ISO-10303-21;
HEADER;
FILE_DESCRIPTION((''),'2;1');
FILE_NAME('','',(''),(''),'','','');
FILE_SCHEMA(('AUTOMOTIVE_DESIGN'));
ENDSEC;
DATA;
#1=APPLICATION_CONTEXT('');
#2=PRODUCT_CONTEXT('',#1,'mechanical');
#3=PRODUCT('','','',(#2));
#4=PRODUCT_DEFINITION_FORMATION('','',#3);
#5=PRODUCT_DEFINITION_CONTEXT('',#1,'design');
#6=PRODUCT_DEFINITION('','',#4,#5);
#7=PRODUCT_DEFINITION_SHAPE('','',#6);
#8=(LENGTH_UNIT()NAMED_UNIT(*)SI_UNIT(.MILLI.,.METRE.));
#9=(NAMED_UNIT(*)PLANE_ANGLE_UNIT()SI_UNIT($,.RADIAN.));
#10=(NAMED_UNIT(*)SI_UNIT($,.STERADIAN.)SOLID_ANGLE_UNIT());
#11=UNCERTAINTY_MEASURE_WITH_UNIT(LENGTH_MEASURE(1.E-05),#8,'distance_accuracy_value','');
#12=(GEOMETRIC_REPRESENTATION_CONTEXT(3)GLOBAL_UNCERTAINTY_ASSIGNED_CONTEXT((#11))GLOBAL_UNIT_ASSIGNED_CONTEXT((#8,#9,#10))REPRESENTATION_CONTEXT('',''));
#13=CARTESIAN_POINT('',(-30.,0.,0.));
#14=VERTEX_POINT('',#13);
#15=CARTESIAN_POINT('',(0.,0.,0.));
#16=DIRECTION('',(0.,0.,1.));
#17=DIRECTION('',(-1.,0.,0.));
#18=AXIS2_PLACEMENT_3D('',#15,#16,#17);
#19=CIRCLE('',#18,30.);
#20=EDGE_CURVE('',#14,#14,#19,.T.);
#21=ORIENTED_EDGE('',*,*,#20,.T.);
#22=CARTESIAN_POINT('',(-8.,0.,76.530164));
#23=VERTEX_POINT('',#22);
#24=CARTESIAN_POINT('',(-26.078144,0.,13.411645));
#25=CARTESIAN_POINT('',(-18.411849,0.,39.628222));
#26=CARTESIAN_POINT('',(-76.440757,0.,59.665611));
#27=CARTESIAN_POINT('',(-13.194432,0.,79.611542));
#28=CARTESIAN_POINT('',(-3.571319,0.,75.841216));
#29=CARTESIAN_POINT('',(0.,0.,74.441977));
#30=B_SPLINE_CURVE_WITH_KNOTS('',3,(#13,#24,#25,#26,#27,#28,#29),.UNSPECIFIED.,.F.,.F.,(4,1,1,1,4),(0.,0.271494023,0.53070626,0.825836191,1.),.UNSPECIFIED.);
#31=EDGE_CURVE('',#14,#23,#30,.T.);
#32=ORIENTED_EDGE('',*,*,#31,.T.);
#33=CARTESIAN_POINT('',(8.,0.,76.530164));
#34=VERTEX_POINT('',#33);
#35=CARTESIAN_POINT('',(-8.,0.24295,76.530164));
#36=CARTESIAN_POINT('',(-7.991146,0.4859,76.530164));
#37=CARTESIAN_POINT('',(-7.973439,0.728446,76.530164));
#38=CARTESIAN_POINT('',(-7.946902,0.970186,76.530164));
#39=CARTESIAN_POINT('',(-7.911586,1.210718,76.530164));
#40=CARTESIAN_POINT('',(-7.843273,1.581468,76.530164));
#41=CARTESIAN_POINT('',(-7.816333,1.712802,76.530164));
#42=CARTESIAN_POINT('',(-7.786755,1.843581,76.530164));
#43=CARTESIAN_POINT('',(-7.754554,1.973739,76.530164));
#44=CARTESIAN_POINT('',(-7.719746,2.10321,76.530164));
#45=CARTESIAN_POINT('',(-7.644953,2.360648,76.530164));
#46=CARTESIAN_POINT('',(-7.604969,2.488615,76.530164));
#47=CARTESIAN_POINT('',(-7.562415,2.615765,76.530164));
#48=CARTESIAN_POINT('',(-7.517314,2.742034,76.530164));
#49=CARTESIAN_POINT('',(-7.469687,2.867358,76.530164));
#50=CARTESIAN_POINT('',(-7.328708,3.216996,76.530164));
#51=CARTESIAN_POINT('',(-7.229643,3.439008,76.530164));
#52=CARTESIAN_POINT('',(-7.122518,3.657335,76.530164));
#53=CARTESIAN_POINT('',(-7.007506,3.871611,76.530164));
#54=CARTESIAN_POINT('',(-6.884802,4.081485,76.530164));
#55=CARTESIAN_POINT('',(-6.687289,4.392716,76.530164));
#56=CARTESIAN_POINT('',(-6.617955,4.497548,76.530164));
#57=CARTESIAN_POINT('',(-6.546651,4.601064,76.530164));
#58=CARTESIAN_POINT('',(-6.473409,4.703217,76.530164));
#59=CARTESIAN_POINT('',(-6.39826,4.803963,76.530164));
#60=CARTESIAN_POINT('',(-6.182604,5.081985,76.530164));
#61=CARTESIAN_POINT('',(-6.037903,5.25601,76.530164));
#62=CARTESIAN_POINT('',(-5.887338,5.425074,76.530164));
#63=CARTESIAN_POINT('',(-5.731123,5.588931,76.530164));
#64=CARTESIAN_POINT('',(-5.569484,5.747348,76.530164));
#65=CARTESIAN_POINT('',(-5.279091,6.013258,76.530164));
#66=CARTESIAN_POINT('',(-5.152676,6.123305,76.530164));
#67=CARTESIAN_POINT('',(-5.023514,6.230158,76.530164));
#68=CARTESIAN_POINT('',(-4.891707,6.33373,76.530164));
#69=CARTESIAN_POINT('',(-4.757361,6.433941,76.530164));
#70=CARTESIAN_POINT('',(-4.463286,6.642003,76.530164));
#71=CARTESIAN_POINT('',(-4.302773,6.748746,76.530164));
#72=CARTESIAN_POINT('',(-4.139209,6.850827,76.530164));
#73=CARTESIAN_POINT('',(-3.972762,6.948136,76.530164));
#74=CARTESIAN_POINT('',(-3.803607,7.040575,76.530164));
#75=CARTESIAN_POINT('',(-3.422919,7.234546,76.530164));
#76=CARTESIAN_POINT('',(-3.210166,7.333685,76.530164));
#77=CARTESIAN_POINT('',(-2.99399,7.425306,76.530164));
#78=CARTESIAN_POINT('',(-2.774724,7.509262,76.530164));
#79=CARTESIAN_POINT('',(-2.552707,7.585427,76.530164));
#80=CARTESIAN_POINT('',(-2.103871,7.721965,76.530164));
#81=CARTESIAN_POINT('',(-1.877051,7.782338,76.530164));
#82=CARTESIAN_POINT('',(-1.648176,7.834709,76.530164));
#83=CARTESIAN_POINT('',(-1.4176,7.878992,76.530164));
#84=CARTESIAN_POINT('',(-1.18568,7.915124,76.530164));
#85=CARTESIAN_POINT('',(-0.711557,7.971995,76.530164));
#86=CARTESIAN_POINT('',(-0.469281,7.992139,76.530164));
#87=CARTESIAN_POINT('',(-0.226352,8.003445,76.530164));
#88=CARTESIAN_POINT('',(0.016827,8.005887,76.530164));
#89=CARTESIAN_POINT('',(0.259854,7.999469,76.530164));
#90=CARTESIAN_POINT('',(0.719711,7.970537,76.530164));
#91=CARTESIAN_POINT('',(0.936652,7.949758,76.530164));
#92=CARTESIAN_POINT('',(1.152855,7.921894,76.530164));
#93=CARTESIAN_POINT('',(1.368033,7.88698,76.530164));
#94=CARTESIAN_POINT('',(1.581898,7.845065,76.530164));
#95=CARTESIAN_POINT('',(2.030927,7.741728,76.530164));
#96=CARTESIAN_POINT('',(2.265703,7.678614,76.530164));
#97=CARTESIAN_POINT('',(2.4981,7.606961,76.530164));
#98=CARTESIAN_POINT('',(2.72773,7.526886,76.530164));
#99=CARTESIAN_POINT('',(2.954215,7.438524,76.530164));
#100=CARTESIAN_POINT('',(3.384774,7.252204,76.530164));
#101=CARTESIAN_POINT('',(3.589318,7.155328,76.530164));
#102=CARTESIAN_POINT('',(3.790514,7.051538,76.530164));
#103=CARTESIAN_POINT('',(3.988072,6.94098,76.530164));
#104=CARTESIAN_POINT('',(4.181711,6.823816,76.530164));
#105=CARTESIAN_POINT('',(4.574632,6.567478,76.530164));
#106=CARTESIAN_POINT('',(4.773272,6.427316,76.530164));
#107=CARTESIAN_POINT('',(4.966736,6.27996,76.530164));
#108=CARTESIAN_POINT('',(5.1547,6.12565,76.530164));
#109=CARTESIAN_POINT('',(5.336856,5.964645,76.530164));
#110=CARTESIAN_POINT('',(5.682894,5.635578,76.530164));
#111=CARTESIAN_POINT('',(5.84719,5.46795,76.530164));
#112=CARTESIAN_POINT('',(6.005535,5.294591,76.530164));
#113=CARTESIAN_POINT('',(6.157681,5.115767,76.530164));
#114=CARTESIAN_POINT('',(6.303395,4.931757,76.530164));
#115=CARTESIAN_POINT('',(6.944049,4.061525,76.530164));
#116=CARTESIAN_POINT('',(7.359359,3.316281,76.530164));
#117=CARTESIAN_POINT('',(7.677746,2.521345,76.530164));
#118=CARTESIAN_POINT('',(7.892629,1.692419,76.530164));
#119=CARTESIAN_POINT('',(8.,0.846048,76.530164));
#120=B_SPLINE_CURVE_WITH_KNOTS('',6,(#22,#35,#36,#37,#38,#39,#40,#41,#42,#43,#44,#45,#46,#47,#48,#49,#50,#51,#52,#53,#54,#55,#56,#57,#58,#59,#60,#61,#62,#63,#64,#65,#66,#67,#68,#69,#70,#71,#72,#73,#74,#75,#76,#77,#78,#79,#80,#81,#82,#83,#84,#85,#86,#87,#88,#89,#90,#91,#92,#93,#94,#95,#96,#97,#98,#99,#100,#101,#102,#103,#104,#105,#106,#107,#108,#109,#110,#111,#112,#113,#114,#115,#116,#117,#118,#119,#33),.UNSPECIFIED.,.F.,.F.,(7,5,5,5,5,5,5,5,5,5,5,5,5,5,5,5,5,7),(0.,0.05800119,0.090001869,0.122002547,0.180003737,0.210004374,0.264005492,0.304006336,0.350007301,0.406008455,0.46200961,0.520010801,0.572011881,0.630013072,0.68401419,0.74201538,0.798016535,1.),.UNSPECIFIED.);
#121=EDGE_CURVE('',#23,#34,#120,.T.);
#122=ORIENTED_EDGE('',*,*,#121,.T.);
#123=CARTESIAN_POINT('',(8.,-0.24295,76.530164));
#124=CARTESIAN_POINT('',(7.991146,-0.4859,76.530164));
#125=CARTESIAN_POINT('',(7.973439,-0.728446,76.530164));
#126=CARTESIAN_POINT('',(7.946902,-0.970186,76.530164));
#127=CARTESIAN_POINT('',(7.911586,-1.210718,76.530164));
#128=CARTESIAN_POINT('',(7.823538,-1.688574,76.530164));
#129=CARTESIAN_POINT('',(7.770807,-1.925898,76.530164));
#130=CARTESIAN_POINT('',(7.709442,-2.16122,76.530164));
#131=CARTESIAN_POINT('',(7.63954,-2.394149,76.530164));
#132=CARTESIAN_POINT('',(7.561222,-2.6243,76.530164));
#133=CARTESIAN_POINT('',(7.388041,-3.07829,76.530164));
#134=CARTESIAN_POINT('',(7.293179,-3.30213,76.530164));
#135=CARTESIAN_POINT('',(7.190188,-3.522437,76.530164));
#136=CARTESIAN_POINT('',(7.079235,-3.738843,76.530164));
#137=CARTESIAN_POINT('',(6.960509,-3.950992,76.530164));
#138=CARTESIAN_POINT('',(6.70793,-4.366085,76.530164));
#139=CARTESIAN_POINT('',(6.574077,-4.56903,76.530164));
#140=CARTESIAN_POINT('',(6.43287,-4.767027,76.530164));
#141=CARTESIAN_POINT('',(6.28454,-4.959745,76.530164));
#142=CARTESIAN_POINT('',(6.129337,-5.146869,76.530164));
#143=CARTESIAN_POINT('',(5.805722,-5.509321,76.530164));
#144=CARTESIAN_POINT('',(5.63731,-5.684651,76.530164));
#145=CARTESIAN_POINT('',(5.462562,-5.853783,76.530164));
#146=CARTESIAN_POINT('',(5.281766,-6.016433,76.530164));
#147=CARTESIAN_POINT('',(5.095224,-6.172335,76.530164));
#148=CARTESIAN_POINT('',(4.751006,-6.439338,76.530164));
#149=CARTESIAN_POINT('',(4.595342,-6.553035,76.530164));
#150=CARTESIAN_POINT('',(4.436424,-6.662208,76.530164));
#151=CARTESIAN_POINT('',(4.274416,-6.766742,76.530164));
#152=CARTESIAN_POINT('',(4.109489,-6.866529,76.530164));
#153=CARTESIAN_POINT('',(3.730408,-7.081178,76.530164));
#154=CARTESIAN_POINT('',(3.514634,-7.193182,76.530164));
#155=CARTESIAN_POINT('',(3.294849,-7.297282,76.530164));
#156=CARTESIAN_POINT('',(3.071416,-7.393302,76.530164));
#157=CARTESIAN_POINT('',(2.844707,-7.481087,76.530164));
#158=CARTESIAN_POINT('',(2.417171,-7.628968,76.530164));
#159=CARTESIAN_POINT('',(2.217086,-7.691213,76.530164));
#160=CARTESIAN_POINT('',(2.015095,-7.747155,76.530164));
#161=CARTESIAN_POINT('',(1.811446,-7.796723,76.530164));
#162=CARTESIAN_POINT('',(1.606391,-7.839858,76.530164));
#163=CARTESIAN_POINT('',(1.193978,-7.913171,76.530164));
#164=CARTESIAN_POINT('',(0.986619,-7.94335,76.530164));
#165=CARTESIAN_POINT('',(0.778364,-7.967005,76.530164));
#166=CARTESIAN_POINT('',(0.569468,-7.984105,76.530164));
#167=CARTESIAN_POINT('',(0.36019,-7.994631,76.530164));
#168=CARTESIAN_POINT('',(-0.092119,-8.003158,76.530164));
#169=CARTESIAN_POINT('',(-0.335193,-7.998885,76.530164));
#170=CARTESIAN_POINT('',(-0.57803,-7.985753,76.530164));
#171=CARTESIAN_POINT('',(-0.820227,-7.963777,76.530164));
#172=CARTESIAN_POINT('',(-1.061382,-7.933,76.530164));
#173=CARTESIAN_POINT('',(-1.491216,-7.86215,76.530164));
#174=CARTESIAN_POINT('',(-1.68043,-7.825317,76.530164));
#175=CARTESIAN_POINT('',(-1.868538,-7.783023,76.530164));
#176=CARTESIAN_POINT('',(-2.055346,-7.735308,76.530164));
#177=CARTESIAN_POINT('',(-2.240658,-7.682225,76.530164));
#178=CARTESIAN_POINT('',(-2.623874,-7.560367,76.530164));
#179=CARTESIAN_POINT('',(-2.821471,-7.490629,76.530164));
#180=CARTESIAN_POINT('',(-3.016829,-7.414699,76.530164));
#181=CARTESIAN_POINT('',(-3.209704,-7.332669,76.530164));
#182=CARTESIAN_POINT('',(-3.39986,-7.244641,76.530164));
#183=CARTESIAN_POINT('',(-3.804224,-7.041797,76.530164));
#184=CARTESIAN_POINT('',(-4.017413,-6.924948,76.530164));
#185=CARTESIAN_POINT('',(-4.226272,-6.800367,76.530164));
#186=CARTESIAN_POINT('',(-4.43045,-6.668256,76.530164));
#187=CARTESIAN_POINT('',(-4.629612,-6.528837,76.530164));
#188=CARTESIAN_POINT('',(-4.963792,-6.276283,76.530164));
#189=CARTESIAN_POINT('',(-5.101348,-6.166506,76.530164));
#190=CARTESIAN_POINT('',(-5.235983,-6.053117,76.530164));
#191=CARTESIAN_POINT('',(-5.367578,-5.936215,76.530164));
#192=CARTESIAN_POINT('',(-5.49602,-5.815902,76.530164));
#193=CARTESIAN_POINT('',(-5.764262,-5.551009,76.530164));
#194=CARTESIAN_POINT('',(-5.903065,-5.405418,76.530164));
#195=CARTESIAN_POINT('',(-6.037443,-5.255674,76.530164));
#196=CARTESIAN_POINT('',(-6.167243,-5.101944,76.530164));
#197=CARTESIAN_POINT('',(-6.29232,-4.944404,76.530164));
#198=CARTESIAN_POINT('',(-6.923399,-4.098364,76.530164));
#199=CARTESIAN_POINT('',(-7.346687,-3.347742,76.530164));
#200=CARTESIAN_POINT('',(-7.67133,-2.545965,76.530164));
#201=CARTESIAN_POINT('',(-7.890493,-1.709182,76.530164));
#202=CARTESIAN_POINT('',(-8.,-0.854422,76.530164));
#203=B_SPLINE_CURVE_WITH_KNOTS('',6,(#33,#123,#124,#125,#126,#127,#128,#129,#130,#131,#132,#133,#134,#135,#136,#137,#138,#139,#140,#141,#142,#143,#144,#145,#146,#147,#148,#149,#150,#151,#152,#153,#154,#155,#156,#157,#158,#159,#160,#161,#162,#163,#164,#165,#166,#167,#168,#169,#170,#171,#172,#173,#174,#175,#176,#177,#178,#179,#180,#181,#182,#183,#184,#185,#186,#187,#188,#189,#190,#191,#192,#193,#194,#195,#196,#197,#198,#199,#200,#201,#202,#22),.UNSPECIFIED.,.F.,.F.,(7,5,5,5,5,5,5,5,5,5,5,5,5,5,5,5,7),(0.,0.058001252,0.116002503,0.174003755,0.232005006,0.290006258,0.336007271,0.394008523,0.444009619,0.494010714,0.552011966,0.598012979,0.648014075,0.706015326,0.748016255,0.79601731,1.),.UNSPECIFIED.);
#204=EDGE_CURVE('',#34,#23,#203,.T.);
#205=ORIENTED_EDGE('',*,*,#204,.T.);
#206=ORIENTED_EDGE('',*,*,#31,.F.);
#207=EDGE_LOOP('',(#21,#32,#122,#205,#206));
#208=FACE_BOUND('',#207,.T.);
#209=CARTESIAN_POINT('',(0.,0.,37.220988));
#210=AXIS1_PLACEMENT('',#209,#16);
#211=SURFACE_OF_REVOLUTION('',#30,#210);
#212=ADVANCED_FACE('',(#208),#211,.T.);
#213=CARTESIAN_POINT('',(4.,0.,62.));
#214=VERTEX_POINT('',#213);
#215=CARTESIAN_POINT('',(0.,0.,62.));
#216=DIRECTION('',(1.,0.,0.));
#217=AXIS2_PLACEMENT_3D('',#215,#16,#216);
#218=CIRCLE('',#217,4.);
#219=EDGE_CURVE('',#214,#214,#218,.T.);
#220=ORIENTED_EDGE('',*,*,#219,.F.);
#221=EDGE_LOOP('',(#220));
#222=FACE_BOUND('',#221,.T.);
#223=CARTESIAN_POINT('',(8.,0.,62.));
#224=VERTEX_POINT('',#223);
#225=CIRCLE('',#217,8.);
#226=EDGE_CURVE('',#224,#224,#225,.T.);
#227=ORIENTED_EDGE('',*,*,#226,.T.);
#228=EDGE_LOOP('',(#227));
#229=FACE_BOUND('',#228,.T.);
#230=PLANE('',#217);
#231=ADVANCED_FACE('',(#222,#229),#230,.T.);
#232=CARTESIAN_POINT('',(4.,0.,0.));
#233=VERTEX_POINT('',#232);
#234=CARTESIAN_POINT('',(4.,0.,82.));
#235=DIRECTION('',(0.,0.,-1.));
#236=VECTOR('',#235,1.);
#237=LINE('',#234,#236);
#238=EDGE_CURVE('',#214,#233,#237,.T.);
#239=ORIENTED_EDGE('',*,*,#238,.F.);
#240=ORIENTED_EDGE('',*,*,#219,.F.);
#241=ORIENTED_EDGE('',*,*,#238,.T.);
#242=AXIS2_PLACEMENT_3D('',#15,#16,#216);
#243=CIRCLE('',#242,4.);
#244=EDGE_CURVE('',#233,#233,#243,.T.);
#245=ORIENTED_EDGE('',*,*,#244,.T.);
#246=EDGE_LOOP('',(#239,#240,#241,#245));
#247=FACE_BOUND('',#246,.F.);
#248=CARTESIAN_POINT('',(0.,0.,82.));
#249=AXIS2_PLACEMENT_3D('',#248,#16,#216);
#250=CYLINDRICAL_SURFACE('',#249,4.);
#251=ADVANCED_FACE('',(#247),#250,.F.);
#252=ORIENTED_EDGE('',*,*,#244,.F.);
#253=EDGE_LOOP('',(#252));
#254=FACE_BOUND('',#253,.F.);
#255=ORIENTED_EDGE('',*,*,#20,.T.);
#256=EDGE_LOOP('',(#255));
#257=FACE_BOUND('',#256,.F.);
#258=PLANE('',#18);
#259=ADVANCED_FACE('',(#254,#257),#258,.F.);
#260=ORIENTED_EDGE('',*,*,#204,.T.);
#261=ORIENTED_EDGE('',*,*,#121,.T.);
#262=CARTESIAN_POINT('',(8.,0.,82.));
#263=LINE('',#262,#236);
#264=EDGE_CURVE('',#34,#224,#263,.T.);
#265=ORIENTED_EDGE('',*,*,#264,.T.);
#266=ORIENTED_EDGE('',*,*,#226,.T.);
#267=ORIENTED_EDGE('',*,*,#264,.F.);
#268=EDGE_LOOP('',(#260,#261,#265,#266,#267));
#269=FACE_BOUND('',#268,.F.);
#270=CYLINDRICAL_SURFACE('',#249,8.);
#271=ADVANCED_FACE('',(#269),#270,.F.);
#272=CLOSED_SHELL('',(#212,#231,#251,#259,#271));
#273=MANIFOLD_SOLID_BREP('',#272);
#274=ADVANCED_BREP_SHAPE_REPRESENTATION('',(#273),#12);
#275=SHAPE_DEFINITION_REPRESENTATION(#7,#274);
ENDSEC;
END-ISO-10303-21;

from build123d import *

# Parameters (mm, degrees)
F3_R     = 4
F4_DEPTH = 128
F5_R     = 8
F6_DEPTH = 20


with BuildPart() as f1:
    # F0 (on Front) → F1 (revolve)
    with BuildSketch(Plane.XZ):
        with BuildLine():
            Line((-30, 0), (0, 0))
            Line((0, 0), (0, 74.4419768453))
            add(Edge.make_bspline(
                [(-30, 0), (-26.0781444115, 13.4116450928), (-18.4118492623, 39.6282222706), (-76.4407572251, 59.6656107835), (-13.1944315406, 79.611542342), (-3.5713194359, 75.8412163409), (0, 74.4419768453)],
                knots=[0, 0, 0, 0, 0.2714940232, 0.5307062604, 0.8258361915, 1, 1, 1, 1], degree=3))
        make_face()
    revolve(axis=Axis((0, 0, 37.2209884226), (0, 0, 1)))

    # F3 (on offset) → F4 (cut)
    with BuildSketch(Plane.XY.offset(82)):
        Circle(F3_R)
    extrude(amount=-F4_DEPTH, mode=Mode.SUBTRACT)

    # F5 (on offset) → F6 (cut)
    with BuildSketch(Plane.XY.offset(82)):
        Circle(F5_R)
    extrude(amount=-F6_DEPTH, mode=Mode.SUBTRACT)


solid = f1.part
